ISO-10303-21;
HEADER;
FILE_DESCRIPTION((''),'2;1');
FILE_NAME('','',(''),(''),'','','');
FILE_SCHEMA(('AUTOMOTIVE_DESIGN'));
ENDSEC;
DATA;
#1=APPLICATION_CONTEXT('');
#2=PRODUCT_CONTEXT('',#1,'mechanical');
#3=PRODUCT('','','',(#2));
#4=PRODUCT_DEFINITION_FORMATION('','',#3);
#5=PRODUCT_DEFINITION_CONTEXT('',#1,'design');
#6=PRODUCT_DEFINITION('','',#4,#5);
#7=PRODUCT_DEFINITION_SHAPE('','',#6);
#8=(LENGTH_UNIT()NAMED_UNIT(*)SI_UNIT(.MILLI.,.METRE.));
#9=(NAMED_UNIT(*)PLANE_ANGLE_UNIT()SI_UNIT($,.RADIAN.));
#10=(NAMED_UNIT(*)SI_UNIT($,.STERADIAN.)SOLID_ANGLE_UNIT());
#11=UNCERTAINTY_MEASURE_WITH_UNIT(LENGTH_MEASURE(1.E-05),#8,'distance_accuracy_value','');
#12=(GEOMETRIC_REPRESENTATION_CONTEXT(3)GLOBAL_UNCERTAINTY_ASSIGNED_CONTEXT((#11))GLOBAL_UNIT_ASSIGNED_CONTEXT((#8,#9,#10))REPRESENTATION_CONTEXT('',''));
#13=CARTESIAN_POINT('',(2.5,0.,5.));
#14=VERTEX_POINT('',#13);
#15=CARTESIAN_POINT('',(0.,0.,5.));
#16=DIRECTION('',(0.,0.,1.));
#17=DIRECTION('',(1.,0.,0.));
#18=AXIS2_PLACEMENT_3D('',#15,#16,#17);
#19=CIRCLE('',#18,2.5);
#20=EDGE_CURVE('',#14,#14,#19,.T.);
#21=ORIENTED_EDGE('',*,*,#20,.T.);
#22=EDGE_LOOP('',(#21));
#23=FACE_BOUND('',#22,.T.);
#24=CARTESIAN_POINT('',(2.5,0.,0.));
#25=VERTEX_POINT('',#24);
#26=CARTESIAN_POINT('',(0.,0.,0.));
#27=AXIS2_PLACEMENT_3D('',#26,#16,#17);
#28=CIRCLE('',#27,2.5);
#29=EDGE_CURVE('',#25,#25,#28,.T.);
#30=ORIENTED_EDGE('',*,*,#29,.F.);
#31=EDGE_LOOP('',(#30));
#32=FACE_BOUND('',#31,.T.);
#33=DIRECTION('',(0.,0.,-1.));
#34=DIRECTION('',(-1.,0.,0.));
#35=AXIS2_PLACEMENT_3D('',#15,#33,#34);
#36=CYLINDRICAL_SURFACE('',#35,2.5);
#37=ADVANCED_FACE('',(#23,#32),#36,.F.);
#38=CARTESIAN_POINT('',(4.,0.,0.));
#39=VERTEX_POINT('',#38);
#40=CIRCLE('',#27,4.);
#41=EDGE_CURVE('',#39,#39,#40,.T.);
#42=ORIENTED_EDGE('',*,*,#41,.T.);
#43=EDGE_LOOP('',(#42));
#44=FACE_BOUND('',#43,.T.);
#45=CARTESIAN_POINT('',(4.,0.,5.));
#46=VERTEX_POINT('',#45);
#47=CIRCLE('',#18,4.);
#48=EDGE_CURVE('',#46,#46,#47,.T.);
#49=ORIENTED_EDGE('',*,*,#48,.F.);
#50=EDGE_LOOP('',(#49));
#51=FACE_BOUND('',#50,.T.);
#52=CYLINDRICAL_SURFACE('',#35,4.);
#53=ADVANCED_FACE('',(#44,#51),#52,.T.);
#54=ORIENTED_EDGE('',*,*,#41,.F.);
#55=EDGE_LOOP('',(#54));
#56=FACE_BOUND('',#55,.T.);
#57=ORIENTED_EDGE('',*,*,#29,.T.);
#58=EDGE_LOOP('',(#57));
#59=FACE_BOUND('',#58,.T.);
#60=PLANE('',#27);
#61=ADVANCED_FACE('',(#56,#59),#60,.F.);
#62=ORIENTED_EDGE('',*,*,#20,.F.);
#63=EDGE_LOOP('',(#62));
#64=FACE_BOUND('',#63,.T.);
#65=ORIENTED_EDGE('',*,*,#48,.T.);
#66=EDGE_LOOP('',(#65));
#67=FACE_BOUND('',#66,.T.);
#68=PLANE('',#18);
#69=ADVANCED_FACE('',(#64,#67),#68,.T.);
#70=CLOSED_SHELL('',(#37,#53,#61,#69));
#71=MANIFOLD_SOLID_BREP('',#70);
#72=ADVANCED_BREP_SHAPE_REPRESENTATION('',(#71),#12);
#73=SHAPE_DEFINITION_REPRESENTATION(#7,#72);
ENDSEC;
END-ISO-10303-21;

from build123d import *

# Parameters (mm, degrees)
ESQUISSE1_R        = 4
ESQUISSE1_R_2      = 2.5
BOSS_EXTRU_1_DEPTH = 5


with BuildPart() as part:
    # Esquisse1 → Boss.-Extru.1 (new body)
    with BuildSketch(Plane.XY):
        Circle(ESQUISSE1_R)
        Circle(ESQUISSE1_R_2, mode=Mode.SUBTRACT)
    extrude(amount=BOSS_EXTRU_1_DEPTH)


solid = part.part
